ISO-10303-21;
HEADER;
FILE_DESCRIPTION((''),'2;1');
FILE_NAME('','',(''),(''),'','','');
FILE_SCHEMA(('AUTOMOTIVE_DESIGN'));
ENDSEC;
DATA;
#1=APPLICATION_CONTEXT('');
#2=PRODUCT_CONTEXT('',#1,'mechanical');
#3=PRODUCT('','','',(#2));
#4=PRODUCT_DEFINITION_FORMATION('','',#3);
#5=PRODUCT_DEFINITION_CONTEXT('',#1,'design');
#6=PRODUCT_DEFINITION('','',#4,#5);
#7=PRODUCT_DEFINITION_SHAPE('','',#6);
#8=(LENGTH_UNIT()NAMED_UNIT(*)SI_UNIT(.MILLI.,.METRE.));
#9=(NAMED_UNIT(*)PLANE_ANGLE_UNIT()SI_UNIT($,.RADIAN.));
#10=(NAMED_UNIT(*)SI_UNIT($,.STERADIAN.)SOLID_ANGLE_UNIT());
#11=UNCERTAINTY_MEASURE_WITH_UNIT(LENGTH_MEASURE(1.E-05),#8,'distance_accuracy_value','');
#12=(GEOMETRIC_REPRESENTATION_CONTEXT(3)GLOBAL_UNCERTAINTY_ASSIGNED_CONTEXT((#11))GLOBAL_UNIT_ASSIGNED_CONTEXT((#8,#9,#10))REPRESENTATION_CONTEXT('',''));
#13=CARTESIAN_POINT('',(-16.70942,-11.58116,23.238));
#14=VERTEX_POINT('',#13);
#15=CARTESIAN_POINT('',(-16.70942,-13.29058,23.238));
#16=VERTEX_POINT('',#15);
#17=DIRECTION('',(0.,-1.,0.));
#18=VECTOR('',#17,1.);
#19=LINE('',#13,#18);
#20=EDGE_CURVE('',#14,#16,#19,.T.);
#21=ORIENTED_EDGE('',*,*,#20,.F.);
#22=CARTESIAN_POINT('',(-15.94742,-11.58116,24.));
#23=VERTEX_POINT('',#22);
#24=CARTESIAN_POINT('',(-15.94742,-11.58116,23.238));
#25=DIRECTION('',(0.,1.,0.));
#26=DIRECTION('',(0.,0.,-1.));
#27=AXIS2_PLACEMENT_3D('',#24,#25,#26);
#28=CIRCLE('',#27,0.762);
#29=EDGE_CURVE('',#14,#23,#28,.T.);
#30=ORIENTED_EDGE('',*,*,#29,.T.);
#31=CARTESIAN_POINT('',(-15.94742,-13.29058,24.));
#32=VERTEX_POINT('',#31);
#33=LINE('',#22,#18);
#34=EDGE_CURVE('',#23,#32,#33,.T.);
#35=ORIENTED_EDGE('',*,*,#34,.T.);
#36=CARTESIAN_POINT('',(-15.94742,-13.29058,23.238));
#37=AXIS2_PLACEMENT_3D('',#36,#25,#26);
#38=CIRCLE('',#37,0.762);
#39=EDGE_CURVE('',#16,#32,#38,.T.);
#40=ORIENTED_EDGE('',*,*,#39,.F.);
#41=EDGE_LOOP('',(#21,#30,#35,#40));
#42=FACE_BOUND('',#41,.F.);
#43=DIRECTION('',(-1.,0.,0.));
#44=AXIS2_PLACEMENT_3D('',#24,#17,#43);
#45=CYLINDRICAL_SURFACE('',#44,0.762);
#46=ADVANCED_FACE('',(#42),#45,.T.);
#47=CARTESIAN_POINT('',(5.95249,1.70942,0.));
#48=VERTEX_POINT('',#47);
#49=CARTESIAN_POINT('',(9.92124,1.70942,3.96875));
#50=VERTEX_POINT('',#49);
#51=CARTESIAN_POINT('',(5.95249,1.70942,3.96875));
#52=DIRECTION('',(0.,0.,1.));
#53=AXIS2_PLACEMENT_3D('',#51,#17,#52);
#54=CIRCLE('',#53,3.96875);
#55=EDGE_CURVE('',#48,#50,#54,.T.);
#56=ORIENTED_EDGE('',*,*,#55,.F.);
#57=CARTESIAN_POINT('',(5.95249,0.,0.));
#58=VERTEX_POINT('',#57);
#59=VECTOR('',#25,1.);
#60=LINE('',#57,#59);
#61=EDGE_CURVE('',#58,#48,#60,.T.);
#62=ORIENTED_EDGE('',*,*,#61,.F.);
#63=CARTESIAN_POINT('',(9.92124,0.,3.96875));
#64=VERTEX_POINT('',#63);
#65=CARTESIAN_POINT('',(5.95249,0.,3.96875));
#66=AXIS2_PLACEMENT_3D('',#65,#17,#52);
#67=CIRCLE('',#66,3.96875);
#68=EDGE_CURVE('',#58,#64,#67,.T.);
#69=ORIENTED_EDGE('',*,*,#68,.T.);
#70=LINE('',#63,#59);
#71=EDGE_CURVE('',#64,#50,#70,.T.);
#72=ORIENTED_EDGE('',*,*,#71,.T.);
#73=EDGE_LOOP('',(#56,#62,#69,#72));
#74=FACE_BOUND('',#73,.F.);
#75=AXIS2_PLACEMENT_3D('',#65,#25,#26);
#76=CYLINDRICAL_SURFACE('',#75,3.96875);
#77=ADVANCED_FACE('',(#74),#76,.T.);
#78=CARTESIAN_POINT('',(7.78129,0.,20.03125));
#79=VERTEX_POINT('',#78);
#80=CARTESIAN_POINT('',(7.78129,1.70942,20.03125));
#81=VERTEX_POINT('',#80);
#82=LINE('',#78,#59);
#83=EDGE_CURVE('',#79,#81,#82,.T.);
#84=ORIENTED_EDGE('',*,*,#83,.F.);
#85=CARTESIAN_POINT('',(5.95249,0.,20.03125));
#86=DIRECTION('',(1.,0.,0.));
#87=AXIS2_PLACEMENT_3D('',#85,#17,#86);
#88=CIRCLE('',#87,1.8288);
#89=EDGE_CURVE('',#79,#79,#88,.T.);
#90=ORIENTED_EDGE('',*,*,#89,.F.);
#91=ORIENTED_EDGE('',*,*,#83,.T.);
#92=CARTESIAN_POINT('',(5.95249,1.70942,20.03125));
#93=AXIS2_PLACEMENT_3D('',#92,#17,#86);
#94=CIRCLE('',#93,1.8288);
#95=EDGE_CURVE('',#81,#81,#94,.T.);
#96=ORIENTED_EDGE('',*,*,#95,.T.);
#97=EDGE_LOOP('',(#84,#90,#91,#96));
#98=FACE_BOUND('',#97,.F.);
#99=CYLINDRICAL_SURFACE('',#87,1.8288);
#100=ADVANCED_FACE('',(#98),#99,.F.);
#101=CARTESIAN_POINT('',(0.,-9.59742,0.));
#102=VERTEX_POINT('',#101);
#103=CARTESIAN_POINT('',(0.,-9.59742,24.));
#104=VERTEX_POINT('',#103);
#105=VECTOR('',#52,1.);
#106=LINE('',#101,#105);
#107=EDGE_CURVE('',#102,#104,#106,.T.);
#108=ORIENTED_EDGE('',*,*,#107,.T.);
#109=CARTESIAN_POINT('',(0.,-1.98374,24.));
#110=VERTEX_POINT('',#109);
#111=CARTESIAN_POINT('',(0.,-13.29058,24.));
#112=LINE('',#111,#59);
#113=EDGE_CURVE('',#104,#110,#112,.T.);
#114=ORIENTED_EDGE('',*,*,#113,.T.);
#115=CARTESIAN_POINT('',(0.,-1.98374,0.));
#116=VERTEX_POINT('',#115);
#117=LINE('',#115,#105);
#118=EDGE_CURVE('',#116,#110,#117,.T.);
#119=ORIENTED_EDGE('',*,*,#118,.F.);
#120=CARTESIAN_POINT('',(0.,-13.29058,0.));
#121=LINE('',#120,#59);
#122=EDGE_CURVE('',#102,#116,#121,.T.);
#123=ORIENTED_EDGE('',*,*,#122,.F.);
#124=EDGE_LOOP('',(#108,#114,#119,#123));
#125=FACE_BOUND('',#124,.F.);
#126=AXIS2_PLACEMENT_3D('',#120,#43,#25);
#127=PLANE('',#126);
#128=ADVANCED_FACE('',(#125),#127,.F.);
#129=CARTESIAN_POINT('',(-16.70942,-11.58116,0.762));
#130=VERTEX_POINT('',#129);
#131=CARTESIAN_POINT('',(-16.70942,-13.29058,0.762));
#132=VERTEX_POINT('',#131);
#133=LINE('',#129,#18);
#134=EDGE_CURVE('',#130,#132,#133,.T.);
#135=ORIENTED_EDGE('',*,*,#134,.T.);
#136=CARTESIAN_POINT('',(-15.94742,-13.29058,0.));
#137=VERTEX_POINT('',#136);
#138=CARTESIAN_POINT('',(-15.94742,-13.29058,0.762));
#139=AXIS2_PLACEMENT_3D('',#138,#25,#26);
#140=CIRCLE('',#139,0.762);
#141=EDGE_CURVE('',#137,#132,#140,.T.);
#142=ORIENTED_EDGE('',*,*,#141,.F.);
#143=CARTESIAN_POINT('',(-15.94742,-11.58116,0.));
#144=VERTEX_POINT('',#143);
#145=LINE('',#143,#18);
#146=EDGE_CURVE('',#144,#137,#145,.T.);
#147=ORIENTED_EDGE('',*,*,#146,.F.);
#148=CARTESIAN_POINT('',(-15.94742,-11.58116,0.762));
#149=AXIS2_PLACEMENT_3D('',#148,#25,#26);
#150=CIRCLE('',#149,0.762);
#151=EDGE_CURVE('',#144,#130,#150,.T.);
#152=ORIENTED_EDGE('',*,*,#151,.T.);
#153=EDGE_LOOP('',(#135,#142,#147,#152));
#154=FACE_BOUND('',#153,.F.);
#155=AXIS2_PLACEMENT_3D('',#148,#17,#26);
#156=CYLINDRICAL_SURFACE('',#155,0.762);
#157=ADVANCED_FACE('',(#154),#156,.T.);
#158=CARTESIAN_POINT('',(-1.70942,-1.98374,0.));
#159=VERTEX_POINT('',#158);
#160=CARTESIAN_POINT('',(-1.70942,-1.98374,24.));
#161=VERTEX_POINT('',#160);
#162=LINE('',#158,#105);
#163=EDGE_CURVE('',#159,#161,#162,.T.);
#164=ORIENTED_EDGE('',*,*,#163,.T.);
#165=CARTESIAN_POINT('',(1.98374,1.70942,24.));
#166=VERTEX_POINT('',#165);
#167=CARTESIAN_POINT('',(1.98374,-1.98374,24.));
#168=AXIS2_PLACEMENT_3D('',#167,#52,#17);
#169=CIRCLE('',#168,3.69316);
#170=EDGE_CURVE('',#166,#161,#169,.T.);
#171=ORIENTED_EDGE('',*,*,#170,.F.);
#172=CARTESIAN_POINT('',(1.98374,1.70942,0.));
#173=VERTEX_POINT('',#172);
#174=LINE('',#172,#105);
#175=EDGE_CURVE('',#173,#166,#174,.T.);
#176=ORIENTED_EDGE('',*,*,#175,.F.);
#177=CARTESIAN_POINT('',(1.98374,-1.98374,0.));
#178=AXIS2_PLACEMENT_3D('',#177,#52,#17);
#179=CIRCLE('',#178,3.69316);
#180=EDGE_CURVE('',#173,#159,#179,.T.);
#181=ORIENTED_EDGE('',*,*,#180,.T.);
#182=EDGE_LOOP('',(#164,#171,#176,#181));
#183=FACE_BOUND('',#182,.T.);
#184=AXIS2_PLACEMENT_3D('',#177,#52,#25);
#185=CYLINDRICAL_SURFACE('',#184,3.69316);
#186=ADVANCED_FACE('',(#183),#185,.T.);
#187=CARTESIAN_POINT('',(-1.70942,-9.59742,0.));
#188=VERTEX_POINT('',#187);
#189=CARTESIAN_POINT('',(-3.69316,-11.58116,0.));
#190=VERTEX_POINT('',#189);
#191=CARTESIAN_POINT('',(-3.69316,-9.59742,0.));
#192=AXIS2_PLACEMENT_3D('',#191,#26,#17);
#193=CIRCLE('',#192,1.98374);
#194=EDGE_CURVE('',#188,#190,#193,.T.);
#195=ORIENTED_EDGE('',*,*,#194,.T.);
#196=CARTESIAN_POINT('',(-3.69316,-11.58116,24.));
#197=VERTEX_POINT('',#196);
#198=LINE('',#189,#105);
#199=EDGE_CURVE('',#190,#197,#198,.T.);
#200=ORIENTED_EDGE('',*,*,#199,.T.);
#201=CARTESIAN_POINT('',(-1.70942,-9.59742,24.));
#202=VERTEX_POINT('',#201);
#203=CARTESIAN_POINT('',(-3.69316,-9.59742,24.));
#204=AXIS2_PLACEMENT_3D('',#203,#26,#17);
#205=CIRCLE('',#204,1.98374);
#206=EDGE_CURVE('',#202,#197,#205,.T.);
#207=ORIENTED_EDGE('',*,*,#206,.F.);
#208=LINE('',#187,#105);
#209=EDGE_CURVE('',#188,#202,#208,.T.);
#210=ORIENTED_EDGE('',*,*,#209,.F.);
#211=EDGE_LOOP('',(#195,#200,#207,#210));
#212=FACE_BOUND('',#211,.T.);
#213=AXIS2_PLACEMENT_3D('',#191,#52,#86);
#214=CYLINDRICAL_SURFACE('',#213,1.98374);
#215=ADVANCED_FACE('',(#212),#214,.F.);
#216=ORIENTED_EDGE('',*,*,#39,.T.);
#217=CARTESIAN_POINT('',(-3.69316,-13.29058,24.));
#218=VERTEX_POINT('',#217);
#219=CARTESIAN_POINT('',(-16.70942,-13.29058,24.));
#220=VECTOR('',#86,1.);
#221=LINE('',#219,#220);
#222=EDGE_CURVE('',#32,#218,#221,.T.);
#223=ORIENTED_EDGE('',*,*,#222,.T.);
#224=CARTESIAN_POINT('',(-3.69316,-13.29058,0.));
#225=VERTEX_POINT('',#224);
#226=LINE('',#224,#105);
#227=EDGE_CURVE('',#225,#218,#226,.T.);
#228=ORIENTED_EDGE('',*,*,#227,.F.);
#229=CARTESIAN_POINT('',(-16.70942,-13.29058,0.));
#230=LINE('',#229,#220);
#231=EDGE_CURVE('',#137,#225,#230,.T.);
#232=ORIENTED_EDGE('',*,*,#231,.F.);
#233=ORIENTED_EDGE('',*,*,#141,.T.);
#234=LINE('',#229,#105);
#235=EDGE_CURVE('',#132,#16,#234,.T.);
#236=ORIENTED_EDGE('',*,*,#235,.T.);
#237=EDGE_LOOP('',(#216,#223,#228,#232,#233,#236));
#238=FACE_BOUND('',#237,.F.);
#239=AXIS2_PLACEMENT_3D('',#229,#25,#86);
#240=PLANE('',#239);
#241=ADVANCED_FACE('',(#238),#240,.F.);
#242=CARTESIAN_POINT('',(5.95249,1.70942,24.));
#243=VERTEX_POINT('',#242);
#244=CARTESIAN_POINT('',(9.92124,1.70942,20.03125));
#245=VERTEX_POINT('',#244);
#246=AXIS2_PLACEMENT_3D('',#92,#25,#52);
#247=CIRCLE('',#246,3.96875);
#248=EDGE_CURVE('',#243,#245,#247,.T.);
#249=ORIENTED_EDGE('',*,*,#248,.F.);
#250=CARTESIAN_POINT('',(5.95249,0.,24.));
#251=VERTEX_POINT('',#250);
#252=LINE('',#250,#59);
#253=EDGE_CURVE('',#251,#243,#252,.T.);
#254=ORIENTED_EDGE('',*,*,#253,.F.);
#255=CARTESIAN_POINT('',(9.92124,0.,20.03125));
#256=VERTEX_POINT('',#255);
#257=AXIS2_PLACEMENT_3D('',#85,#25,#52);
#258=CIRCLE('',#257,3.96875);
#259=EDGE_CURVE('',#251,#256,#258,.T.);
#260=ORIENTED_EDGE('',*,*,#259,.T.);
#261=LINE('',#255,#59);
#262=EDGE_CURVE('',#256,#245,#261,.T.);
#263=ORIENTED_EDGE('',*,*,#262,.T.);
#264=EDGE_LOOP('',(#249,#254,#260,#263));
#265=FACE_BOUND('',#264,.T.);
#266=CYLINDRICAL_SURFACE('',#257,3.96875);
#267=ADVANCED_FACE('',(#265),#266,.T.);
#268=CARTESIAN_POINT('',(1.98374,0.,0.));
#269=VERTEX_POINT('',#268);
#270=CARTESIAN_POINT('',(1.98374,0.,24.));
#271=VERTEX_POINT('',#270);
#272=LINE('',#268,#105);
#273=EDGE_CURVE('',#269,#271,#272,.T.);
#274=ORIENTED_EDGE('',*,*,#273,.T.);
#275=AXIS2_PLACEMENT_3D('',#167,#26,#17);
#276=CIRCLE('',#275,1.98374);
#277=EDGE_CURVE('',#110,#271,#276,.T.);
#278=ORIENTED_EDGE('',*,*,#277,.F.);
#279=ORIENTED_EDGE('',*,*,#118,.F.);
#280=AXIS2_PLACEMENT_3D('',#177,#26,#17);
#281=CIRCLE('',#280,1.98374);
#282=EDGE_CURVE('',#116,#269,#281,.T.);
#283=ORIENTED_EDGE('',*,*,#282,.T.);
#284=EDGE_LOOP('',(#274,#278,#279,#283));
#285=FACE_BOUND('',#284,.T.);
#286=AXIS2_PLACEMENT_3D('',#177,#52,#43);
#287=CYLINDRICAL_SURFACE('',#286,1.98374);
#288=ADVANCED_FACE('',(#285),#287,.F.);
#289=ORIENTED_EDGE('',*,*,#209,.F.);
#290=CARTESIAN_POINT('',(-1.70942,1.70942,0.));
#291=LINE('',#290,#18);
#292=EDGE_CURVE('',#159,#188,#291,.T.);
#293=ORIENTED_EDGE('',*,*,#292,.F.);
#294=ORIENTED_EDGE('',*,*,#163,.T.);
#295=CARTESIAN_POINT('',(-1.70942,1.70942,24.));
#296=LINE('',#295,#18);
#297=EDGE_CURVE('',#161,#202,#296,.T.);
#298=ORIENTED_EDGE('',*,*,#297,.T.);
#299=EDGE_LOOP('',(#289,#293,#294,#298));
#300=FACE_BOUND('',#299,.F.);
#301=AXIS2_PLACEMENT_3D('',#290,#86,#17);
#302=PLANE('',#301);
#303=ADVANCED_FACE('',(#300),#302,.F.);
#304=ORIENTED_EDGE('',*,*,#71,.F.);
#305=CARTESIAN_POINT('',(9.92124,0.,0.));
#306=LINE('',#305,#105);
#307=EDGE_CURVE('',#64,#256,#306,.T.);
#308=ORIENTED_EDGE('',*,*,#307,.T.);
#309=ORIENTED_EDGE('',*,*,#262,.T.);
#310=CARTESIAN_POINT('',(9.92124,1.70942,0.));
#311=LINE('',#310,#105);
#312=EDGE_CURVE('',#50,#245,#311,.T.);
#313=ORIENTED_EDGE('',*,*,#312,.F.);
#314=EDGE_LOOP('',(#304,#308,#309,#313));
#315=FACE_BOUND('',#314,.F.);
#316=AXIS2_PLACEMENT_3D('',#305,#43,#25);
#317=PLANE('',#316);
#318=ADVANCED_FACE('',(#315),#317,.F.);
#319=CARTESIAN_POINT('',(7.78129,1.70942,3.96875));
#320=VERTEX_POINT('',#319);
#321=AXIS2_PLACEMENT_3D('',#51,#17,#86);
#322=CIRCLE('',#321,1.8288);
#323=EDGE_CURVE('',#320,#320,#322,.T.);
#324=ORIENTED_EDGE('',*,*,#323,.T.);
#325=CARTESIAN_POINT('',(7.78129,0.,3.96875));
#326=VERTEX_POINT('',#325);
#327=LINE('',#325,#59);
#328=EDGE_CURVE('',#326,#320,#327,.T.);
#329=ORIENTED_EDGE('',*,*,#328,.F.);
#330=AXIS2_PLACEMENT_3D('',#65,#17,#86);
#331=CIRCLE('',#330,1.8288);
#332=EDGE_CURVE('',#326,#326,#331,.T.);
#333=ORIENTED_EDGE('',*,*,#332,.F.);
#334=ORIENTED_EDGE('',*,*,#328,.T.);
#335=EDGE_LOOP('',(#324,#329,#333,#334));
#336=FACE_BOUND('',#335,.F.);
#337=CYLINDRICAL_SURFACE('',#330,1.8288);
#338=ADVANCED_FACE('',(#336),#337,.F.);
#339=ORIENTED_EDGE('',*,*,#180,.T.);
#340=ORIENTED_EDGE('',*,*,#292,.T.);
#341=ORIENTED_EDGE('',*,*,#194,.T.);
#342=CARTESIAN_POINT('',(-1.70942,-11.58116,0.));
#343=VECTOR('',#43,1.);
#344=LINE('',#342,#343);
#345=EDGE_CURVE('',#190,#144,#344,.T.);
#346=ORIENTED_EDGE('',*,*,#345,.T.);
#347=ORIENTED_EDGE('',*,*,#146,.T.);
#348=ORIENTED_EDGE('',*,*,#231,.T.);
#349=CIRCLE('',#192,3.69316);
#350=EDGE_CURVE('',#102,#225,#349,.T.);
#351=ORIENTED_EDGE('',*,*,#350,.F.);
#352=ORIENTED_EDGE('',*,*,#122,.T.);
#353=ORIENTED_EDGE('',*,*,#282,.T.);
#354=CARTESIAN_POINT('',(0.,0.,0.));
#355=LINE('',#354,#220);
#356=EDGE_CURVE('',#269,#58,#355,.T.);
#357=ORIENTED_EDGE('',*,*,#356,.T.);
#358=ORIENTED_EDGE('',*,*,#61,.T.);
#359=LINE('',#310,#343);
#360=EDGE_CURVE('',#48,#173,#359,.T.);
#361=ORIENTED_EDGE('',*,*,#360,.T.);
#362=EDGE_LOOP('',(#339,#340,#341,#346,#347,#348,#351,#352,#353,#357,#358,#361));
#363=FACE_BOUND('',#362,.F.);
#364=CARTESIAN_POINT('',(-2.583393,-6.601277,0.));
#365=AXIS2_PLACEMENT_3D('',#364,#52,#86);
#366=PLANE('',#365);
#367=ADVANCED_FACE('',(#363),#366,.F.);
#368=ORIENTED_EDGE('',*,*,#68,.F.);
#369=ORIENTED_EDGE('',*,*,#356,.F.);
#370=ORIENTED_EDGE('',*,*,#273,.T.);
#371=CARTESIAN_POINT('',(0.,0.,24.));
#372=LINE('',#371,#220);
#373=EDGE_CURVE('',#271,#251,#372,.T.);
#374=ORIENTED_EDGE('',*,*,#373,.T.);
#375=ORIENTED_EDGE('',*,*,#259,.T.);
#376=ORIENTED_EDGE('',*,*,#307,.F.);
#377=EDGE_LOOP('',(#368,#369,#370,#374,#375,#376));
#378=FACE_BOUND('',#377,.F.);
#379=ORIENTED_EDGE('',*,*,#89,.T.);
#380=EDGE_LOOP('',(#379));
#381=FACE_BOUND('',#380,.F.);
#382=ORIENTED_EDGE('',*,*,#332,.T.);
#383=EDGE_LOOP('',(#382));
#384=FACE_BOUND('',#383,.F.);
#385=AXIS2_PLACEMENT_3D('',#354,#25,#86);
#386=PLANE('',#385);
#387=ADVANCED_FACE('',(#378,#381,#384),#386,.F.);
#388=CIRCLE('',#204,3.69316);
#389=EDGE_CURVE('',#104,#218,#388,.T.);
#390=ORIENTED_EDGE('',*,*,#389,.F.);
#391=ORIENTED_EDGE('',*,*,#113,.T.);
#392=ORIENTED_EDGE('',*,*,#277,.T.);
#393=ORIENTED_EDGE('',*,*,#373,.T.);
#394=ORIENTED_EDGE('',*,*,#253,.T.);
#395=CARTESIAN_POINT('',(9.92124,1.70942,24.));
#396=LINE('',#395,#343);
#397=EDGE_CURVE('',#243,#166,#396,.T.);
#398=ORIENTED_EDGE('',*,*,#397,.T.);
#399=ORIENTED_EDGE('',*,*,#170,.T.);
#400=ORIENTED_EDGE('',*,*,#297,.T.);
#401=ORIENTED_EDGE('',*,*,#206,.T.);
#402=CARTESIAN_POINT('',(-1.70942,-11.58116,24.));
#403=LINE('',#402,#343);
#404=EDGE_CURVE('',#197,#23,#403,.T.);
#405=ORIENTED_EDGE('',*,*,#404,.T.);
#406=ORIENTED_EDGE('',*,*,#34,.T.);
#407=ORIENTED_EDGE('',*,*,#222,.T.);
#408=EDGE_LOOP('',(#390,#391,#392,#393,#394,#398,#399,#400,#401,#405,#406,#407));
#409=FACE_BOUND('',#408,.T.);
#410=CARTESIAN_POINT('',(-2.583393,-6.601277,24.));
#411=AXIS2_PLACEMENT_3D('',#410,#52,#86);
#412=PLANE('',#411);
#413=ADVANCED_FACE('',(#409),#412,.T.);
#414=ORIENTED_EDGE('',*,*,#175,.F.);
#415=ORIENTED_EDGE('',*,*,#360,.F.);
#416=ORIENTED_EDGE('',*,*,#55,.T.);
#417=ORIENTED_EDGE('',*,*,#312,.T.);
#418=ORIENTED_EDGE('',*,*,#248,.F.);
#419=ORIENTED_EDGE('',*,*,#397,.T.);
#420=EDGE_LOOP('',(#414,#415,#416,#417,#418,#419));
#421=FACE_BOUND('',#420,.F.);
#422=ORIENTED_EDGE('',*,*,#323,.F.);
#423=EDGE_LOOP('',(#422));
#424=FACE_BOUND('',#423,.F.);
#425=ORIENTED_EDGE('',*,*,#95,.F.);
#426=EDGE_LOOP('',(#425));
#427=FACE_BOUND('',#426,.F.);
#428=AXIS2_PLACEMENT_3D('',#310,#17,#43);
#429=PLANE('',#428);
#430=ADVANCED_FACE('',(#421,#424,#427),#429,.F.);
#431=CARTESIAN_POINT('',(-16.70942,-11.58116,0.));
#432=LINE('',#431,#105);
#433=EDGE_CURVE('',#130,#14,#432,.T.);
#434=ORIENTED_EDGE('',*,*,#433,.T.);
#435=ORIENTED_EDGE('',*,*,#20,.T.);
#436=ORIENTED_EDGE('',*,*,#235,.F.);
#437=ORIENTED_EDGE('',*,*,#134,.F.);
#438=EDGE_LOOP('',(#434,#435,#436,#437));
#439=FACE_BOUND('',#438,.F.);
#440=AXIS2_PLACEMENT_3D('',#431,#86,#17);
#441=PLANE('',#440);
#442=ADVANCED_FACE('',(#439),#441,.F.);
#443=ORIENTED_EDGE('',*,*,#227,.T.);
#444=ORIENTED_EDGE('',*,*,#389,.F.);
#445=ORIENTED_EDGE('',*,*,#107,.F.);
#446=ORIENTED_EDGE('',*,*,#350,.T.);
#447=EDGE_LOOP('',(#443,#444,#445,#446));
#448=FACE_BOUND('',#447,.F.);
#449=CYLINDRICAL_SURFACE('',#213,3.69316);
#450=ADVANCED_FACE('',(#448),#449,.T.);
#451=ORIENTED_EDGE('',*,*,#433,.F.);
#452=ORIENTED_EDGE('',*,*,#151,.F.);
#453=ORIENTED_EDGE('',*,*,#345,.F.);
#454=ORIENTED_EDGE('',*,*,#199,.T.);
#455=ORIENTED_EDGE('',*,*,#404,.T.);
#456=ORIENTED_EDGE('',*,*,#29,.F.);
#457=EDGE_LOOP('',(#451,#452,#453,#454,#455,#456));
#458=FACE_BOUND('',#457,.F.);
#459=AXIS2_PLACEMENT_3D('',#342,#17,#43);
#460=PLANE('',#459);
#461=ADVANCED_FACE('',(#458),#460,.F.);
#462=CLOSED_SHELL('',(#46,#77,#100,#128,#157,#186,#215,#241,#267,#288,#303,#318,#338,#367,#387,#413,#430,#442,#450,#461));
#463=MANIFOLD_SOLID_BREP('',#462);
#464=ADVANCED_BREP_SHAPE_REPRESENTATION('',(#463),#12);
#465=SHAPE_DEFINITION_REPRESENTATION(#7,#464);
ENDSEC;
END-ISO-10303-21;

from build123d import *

# Parameters (mm, degrees)
F1_DEPTH = 24
F2_R     = 1.98374
F3_R     = 3.69316
F4_R     = 3.96875
F5_R     = 0.762
F6_R     = 1.8288
F7_DEPTH = 1.70942


with BuildPart() as f1:
    # F0 (on Top) → F1 (new body)
    with BuildSketch(Plane.XY):
        Polygon((0, -13.29058), (0, 0), (9.92124, 0), (9.92124, 1.70942), (-1.70942, 1.70942), (-1.70942, -11.58116), (-16.70942, -11.58116), (-16.70942, -13.29058), align=None)
    extrude(amount=F1_DEPTH)

    # F2
    f2_edges = [f1.edges().sort_by_distance(p)[0] for p in [
        (0, 0, 12),
        (-1.70942, -11.58116, 12),
    ]]
    fillet(f2_edges, radius=F2_R)

    # F3
    f3_edges = [f1.edges().sort_by_distance(p)[0] for p in [
        (0, -13.29058, 12),
        (-1.70942, 1.70942, 12),
    ]]
    fillet(f3_edges, radius=F3_R)

    # F4
    f4_edges = [f1.edges().sort_by_distance(p)[0] for p in [
        (9.92124, 0.85471, 24),
        (9.92124, 0.85471, 0),
    ]]
    fillet(f4_edges, radius=F4_R)

    # F5
    f5_edges = [f1.edges().sort_by_distance(p)[0] for p in [
        (-16.70942, -12.43587, 0),
        (-16.70942, -12.43587, 24),
    ]]
    fillet(f5_edges, radius=F5_R)

    # F6 (on face) → F7 (cut, through all)
    with BuildSketch(Plane.XZ):
        with Locations((5.95249, 20.03125)):
            Circle(F6_R)
        with Locations((5.95249, 3.96875)):
            Circle(F6_R)
    extrude(amount=-F7_DEPTH, mode=Mode.SUBTRACT)


solid = f1.part
